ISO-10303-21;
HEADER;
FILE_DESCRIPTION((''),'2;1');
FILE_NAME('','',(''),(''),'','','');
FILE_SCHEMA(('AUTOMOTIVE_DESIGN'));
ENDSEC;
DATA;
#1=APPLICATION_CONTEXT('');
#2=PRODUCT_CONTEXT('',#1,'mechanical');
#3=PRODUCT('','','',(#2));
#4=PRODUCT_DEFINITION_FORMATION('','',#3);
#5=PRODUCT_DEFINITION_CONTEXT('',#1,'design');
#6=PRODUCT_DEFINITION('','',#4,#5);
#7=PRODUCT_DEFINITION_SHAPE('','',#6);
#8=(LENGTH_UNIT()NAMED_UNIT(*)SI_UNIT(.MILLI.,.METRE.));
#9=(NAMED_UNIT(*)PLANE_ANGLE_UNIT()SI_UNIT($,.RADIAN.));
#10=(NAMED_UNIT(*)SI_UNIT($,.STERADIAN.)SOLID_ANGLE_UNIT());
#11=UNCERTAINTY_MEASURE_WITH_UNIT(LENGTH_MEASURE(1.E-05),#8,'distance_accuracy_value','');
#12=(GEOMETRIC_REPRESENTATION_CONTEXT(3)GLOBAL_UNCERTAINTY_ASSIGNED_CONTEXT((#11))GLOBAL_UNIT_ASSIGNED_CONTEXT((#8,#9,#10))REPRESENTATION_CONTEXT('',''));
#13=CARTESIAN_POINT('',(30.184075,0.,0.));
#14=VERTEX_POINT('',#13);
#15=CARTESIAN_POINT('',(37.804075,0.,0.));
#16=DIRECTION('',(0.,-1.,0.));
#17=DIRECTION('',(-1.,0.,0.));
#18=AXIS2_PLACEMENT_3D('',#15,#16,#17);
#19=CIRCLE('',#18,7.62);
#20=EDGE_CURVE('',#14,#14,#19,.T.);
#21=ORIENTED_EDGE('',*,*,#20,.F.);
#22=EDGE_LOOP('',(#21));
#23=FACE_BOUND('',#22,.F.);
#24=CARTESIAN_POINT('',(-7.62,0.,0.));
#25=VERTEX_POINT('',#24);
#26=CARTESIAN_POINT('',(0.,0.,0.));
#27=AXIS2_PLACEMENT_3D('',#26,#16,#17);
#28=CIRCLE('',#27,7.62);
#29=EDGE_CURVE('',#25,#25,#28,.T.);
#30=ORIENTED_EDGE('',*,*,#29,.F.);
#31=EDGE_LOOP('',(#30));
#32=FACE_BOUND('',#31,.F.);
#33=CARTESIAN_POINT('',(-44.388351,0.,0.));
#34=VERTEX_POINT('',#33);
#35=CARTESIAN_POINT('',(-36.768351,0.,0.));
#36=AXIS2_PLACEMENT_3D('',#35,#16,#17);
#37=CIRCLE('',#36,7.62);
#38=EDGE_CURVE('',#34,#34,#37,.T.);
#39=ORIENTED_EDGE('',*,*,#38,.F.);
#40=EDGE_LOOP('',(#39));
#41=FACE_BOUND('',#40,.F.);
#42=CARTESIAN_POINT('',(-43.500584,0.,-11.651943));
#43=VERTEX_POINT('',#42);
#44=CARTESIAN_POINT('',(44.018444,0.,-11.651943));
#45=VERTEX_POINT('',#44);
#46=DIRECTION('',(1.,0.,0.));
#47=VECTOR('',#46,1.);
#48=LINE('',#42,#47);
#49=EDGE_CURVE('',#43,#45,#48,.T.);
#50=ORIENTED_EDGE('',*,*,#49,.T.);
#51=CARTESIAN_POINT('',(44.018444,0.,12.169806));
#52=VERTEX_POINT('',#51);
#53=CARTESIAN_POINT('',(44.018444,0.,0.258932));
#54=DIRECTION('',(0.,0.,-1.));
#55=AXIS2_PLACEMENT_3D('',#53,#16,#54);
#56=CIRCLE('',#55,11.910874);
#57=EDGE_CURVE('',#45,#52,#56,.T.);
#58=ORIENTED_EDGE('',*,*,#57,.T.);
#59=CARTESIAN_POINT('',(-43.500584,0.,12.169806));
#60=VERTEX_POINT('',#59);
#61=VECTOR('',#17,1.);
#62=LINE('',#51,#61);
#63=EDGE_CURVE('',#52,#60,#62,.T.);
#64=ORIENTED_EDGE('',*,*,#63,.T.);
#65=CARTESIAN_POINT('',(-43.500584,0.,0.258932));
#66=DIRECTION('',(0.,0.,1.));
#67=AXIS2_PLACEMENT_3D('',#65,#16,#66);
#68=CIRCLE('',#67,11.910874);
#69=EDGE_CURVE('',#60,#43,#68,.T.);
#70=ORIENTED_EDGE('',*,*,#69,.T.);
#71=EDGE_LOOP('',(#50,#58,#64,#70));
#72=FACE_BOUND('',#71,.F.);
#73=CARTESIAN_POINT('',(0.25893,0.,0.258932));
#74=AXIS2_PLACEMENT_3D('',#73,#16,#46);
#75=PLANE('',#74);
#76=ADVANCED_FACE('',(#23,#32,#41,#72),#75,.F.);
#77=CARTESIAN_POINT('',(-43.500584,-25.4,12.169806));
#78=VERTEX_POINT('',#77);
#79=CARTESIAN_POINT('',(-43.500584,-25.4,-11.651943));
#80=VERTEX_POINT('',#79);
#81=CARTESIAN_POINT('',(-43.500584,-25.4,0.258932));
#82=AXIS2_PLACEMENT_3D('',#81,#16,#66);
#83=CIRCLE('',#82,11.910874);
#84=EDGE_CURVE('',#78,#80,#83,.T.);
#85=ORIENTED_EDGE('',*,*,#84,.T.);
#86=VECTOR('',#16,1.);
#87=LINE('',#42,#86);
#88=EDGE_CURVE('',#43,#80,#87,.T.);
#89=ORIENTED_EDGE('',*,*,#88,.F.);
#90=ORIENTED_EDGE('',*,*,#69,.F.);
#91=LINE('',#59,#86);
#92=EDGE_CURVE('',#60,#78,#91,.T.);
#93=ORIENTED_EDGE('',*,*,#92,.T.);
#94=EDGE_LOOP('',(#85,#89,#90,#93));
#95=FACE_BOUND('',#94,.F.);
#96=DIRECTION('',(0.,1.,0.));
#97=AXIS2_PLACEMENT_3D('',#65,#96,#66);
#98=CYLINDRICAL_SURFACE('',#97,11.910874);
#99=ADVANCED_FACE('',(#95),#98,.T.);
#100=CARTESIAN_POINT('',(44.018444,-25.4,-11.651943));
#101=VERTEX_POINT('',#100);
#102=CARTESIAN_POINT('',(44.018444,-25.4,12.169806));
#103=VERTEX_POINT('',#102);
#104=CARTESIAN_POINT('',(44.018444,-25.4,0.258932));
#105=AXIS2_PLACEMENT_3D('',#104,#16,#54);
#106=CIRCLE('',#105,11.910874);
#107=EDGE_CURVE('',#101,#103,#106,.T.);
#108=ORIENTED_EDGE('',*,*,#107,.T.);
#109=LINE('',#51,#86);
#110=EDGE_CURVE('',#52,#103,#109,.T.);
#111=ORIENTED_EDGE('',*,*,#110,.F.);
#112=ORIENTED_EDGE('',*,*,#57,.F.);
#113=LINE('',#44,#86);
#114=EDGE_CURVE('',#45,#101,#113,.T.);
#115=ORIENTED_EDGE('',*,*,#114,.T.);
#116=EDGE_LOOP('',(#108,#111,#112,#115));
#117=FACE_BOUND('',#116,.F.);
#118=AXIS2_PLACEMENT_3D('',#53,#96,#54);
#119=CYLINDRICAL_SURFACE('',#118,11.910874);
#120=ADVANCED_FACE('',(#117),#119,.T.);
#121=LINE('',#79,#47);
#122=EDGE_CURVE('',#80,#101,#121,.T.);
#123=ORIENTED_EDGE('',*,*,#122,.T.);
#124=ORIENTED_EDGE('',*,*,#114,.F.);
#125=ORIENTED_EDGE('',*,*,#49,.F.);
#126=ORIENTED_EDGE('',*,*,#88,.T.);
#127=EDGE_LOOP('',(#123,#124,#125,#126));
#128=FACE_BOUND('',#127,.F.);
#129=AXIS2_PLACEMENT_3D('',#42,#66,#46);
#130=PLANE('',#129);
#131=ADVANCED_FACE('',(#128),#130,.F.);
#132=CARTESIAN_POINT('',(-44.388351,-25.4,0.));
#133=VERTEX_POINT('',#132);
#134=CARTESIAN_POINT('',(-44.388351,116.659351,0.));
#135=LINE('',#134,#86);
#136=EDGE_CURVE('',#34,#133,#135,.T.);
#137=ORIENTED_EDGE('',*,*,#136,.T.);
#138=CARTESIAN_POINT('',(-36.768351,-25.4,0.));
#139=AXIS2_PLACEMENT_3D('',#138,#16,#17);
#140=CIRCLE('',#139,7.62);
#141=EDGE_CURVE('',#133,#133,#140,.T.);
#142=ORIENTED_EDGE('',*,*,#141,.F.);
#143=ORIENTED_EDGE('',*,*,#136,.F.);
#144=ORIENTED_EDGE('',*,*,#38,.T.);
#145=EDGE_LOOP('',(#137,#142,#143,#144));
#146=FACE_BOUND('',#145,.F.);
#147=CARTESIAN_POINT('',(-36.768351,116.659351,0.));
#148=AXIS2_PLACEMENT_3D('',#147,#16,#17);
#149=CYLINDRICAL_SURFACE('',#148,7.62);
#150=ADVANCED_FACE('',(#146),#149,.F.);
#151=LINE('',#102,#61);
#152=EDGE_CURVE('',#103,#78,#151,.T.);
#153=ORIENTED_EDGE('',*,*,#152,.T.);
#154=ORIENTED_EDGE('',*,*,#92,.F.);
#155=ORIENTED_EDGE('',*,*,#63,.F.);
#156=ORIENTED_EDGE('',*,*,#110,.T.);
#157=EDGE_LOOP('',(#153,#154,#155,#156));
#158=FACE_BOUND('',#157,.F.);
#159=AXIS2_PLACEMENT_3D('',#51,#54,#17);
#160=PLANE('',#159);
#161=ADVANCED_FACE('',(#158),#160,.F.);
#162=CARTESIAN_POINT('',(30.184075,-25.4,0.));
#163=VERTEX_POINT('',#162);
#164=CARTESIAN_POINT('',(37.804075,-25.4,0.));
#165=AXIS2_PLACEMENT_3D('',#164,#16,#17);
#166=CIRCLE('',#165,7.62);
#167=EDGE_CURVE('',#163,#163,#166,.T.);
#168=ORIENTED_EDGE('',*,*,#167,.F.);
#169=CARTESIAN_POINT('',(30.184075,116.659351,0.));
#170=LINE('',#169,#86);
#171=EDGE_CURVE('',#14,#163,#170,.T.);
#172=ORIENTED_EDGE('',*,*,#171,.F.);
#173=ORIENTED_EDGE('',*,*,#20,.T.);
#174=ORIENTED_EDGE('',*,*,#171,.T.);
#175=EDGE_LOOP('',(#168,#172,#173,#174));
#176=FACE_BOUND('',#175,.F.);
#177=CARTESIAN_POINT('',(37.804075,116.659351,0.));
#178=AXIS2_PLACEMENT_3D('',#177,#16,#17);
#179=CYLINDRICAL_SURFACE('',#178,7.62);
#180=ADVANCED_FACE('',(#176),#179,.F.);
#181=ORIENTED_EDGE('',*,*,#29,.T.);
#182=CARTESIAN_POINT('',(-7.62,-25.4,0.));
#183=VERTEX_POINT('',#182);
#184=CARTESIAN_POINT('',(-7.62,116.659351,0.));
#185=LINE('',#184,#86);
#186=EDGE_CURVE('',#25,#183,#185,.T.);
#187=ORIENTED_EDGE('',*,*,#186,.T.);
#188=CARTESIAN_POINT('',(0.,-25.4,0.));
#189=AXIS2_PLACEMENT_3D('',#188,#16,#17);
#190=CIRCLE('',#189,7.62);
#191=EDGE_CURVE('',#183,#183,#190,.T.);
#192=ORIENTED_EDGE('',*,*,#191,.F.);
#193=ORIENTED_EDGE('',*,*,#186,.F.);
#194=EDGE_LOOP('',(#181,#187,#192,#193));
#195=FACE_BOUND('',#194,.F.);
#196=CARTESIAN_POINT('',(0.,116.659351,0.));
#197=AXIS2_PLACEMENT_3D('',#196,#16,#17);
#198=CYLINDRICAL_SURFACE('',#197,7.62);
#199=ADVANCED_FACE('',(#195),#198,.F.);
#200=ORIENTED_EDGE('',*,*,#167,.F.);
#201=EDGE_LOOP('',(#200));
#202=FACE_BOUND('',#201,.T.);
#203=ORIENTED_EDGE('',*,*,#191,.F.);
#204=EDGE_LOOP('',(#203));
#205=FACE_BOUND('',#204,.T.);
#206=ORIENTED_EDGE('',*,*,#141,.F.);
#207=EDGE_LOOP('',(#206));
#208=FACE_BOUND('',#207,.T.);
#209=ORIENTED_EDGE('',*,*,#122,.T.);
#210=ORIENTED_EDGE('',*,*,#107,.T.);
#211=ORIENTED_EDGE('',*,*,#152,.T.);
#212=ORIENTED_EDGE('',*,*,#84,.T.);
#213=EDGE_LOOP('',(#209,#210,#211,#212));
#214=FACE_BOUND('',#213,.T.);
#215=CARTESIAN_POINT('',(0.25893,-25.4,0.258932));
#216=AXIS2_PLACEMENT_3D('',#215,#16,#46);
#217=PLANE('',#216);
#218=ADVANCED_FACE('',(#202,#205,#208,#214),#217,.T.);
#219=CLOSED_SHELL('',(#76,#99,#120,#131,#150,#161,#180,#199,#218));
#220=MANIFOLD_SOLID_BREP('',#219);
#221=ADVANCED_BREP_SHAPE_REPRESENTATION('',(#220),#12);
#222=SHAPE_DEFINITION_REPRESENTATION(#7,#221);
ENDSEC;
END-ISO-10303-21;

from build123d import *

# Parameters (mm, degrees)
F0_R     = 9.44458633
F1_DEPTH = 25.4
F2_D     = 15.24
F3_D     = 15.24
F4_D     = 15.24


with BuildPart() as f1:
    # F0 (on Front) → F1 (new body)
    with BuildSketch(Plane.XZ):
        with BuildLine():
            Line((44.0184436738, 12.1698062867), (-43.5005836189, 12.1698062867))
            ThreePointArc((-43.5005836189, 12.1698062867), (-55.4114580154, 0.2589318901), (-43.5005836189, -11.6519425064))
            Line((-43.5005836189, -11.6519425064), (44.0184436738, -11.6519425064))
            ThreePointArc((44.0184436738, -11.6519425064), (55.9293180704, 0.2589318901), (44.0184436738, 12.1698062867))
        make_face()
        with Locations((-36.7683507502, 0)):
            Circle(F0_R, mode=Mode.SUBTRACT)
        Circle(F0_R, mode=Mode.SUBTRACT)
        with Locations((37.8040745854, 0)):
            Circle(F0_R, mode=Mode.SUBTRACT)
        with Locations((-36.7683507502, 0)):
            Circle(F0_R)
        Circle(F0_R)
        with Locations((37.8040745854, 0)):
            Circle(F0_R)
    extrude(amount=F1_DEPTH)

    # F2 (through all)
    with Locations(Plane(origin=(0, 0, 0), x_dir=(1, 0, 0), z_dir=(0, 1, 0))):
        with Locations((-36.7683507502, 0)):
            Hole(F2_D / 2)

    # F3 (through all)
    with Locations(Plane(origin=(0, 0, 0), x_dir=(1, 0, 0), z_dir=(0, 1, 0))):
        with Locations((0, 0)):
            Hole(F3_D / 2)

    # F4 (through all)
    with Locations(Plane(origin=(0, 0, 0), x_dir=(1, 0, 0), z_dir=(0, 1, 0))):
        with Locations((37.8040745854, 0)):
            Hole(F4_D / 2)


solid = f1.part
